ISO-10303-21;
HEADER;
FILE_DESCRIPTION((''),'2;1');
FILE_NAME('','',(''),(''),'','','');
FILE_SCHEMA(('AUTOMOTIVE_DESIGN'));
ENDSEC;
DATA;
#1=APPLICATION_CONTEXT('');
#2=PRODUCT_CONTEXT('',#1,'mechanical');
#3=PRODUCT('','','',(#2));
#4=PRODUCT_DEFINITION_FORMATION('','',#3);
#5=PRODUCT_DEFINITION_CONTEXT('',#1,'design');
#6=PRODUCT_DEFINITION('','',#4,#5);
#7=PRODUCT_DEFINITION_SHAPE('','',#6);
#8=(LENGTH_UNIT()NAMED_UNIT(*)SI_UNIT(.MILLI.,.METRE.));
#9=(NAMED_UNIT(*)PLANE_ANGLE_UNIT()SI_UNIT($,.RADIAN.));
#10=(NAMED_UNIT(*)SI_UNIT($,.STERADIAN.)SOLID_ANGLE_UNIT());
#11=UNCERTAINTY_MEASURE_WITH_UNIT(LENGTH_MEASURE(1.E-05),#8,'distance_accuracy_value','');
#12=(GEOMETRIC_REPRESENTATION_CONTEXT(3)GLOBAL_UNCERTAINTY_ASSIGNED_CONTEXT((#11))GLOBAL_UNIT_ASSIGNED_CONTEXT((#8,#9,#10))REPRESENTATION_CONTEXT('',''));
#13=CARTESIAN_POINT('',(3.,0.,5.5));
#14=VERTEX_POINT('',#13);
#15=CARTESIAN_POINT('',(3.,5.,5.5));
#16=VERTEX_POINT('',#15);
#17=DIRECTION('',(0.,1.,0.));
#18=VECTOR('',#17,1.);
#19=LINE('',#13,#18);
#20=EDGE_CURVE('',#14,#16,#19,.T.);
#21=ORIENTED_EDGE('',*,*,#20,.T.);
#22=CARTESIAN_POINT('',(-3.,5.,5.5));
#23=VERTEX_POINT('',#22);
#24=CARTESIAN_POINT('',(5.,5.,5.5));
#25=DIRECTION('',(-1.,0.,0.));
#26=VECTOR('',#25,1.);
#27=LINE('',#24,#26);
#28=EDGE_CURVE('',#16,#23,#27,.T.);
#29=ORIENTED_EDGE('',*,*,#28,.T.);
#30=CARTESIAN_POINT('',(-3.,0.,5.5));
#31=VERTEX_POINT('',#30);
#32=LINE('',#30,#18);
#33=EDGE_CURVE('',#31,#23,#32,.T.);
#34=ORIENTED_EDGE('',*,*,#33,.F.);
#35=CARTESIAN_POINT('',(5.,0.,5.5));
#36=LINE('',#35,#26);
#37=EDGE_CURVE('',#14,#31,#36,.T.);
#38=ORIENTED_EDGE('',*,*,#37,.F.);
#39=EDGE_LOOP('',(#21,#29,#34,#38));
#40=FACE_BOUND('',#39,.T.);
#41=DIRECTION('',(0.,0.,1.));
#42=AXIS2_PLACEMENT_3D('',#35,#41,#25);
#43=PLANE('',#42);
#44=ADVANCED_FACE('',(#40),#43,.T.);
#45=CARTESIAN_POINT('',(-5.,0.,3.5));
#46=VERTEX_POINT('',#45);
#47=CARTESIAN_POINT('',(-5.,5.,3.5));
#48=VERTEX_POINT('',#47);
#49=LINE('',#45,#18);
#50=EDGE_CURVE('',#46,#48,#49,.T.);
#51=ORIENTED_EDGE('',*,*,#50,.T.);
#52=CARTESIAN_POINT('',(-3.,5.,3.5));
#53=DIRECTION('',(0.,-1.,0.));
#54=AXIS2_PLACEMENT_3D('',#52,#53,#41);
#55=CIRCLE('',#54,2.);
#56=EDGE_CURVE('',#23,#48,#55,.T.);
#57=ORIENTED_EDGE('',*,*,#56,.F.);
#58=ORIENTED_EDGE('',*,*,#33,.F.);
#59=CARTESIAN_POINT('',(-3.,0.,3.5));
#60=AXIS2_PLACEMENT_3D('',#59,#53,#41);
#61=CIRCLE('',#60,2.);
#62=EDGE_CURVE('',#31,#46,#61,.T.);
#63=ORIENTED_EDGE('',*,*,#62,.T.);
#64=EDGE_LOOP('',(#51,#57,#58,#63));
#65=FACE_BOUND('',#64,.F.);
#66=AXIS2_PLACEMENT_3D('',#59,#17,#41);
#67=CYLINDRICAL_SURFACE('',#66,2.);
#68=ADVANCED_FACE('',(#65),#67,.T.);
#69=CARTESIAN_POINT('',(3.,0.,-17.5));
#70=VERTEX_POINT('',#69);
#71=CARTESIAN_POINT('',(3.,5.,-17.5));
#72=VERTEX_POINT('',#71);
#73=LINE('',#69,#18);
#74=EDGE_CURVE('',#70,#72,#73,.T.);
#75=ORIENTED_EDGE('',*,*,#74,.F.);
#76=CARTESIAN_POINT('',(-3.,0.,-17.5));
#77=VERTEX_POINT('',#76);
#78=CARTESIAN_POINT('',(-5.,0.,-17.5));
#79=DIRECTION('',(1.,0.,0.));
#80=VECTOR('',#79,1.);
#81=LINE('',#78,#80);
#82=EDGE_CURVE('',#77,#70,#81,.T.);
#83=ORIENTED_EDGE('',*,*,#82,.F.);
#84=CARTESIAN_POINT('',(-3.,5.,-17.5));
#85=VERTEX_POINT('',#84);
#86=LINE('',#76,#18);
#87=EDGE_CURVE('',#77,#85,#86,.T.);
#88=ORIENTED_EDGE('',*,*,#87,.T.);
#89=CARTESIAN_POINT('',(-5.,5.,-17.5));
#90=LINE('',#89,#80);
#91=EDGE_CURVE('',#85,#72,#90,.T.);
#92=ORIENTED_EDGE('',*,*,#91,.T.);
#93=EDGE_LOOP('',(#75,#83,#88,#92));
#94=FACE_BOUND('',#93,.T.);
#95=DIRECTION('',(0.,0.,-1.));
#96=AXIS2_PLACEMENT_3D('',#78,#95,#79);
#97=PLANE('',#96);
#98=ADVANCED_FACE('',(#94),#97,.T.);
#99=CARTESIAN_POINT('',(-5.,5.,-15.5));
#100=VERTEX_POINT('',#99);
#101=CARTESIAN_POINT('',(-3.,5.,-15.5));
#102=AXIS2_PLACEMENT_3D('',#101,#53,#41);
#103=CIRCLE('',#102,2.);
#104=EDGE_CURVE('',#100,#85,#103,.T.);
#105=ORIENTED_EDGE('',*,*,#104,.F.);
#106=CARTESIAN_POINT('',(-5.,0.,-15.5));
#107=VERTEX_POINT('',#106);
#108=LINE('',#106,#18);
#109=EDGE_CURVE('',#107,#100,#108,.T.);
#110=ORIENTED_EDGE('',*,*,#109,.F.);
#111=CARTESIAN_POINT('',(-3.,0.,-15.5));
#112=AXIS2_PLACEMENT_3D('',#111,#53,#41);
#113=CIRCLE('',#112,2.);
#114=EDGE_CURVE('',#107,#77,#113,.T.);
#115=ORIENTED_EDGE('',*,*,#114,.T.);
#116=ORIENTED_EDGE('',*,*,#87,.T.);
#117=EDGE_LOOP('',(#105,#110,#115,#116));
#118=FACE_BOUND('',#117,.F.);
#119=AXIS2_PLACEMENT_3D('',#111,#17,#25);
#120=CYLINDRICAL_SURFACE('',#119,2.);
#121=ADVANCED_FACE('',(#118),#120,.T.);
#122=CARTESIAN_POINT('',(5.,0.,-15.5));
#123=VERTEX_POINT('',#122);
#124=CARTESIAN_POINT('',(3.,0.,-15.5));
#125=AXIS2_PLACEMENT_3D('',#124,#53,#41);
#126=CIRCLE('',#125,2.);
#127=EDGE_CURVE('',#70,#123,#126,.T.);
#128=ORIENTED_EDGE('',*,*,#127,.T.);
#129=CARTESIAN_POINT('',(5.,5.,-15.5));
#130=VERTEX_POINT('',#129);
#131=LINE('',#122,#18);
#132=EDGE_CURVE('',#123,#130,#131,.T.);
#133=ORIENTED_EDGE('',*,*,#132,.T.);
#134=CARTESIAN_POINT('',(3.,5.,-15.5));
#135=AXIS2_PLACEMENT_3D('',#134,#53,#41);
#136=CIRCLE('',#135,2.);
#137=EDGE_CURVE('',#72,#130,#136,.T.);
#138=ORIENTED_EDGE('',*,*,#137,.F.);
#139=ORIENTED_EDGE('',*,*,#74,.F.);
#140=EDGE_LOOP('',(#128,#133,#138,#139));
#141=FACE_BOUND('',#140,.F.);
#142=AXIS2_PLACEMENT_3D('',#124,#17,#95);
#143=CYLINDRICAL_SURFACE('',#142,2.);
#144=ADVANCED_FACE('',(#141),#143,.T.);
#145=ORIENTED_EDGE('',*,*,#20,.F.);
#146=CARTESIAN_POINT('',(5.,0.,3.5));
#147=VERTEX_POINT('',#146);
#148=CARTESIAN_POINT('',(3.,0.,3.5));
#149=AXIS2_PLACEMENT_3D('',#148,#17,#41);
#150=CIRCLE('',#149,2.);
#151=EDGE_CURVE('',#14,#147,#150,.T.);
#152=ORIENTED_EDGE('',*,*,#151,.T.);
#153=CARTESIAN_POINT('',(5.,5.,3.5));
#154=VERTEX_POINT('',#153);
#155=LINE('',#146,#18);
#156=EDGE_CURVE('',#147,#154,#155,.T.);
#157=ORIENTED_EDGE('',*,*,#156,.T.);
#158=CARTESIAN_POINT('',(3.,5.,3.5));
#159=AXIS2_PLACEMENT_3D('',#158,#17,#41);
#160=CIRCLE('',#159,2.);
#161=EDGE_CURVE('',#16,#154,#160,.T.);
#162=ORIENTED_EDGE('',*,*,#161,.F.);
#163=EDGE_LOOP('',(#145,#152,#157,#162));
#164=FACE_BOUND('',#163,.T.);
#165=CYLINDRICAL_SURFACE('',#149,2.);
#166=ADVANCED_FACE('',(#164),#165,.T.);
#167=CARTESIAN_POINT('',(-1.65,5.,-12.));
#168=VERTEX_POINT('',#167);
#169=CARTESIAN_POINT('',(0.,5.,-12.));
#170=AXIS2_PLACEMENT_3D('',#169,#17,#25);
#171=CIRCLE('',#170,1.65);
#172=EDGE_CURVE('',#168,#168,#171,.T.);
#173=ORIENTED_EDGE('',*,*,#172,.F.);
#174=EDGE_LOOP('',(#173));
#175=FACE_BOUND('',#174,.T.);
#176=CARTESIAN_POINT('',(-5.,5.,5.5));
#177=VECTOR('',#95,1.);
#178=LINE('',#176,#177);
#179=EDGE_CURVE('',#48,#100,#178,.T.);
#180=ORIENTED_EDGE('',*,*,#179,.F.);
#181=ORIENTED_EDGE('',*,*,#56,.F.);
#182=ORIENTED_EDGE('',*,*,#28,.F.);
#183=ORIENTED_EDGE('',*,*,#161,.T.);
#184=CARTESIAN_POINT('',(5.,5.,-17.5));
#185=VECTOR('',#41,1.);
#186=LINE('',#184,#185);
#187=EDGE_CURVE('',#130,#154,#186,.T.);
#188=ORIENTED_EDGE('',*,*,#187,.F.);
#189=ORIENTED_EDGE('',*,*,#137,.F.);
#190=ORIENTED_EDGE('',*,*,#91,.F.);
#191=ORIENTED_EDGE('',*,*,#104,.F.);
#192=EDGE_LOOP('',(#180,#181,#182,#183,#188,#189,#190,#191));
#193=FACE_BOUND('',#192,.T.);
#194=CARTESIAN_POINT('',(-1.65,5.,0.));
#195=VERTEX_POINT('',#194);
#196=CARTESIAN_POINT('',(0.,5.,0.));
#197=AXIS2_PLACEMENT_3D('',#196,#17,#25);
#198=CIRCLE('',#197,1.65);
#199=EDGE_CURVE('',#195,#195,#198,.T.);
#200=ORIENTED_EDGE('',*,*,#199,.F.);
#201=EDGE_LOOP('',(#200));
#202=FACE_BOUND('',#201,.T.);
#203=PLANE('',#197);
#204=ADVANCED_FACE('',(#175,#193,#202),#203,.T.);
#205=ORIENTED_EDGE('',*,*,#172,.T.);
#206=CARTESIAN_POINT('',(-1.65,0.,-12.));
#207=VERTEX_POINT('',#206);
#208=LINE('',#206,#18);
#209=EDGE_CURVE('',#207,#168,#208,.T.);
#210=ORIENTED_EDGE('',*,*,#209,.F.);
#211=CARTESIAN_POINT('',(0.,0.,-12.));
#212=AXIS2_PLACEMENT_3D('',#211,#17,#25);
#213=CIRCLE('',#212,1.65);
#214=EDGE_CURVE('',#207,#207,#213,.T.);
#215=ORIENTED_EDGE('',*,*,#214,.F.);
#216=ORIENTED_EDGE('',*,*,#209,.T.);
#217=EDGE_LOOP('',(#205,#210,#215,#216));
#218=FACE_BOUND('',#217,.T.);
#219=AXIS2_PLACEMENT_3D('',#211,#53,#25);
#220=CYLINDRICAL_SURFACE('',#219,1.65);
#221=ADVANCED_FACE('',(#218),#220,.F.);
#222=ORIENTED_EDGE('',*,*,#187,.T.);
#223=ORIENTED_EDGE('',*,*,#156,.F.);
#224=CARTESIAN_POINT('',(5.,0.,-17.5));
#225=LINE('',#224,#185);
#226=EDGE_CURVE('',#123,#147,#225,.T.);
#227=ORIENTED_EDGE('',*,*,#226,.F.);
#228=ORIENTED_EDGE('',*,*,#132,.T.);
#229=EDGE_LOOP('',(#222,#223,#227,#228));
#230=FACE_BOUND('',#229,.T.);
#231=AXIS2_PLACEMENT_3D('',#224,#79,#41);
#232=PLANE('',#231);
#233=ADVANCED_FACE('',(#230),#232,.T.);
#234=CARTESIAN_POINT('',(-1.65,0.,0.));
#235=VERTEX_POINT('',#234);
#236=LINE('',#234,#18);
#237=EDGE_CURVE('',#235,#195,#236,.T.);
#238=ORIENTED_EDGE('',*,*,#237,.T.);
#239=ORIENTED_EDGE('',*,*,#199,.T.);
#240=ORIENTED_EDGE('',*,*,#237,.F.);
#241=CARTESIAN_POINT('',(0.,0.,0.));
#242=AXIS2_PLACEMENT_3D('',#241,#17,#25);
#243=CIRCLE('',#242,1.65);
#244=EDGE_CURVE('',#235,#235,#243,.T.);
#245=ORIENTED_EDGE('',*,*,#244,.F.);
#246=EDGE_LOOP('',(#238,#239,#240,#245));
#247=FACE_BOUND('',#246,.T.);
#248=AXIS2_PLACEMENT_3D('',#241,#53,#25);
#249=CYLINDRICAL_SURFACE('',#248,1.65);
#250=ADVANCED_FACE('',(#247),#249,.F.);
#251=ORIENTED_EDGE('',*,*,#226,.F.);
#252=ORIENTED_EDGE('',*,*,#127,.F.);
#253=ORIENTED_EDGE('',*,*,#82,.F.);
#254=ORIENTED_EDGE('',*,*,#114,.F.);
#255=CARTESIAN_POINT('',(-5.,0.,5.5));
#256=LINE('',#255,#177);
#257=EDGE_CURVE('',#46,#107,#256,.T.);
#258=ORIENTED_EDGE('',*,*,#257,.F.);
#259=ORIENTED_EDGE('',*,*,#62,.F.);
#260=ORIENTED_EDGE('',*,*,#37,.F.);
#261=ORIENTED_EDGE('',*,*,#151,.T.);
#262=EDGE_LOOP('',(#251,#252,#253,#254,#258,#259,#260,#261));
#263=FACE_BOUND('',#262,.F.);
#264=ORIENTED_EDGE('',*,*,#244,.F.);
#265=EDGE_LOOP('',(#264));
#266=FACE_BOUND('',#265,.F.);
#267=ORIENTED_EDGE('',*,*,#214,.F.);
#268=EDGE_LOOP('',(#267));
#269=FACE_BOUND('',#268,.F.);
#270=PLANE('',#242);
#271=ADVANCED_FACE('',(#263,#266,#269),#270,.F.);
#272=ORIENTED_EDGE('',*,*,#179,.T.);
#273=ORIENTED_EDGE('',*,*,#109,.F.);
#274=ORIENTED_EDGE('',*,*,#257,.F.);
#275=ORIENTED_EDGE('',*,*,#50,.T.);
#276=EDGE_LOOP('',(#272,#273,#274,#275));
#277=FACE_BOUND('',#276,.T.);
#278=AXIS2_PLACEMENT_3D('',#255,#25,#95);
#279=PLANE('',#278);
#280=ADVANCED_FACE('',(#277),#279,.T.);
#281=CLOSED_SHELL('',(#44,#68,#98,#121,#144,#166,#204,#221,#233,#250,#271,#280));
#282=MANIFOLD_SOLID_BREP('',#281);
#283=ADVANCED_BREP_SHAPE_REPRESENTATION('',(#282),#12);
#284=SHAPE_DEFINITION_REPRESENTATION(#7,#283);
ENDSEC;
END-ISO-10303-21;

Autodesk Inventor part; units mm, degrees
ref_plane "YZ Plane" through (0, 0, 0) normal (1, 0, 0) x (0, 1, 0)
ref_plane "XZ Plane" through (0, 0, 0) normal (0, 1, 0) x (-1, 0, 0)
ref_plane "XY Plane" through (0, 0, 0) normal (0, 0, 1) x (1, 0, 0)
sketch "Sketch1" plane through (0, 0, 0) normal (0, 1, 0) x (-1, 0, 0)
  circle A0 centre (0, 0) radius 1.65
  circle A1 centre (0, -12) radius 1.65
  line L0 (-5, 5.5) -> (5, 5.5)
  line L1 (5, 5.5) -> (5, -17.5)
  line L2 (5, -17.5) -> (-5, -17.5)
  line L3 (-5, -17.5) -> (-5, 5.5)
  dimension "d0" = 3.3
  dimension "d1" = 3.3
  dimension "d2" = 12
  dimension "d3" = 0
  dimension "d4" = 10
  dimension "d5" = 5
  dimension "d6" = 5.5
  dimension "d7" = 5.5
extrude "Extrusion1" add sketch "Sketch1" along normal blind 5
fillet "Fillet1" radius 2 4 edges at (5, 2.5, 5.5) (-5, 2.5, 5.5) (5, 2.5, -17.5) (-5, 2.5, -17.5)
properties part number "BeltClip"
